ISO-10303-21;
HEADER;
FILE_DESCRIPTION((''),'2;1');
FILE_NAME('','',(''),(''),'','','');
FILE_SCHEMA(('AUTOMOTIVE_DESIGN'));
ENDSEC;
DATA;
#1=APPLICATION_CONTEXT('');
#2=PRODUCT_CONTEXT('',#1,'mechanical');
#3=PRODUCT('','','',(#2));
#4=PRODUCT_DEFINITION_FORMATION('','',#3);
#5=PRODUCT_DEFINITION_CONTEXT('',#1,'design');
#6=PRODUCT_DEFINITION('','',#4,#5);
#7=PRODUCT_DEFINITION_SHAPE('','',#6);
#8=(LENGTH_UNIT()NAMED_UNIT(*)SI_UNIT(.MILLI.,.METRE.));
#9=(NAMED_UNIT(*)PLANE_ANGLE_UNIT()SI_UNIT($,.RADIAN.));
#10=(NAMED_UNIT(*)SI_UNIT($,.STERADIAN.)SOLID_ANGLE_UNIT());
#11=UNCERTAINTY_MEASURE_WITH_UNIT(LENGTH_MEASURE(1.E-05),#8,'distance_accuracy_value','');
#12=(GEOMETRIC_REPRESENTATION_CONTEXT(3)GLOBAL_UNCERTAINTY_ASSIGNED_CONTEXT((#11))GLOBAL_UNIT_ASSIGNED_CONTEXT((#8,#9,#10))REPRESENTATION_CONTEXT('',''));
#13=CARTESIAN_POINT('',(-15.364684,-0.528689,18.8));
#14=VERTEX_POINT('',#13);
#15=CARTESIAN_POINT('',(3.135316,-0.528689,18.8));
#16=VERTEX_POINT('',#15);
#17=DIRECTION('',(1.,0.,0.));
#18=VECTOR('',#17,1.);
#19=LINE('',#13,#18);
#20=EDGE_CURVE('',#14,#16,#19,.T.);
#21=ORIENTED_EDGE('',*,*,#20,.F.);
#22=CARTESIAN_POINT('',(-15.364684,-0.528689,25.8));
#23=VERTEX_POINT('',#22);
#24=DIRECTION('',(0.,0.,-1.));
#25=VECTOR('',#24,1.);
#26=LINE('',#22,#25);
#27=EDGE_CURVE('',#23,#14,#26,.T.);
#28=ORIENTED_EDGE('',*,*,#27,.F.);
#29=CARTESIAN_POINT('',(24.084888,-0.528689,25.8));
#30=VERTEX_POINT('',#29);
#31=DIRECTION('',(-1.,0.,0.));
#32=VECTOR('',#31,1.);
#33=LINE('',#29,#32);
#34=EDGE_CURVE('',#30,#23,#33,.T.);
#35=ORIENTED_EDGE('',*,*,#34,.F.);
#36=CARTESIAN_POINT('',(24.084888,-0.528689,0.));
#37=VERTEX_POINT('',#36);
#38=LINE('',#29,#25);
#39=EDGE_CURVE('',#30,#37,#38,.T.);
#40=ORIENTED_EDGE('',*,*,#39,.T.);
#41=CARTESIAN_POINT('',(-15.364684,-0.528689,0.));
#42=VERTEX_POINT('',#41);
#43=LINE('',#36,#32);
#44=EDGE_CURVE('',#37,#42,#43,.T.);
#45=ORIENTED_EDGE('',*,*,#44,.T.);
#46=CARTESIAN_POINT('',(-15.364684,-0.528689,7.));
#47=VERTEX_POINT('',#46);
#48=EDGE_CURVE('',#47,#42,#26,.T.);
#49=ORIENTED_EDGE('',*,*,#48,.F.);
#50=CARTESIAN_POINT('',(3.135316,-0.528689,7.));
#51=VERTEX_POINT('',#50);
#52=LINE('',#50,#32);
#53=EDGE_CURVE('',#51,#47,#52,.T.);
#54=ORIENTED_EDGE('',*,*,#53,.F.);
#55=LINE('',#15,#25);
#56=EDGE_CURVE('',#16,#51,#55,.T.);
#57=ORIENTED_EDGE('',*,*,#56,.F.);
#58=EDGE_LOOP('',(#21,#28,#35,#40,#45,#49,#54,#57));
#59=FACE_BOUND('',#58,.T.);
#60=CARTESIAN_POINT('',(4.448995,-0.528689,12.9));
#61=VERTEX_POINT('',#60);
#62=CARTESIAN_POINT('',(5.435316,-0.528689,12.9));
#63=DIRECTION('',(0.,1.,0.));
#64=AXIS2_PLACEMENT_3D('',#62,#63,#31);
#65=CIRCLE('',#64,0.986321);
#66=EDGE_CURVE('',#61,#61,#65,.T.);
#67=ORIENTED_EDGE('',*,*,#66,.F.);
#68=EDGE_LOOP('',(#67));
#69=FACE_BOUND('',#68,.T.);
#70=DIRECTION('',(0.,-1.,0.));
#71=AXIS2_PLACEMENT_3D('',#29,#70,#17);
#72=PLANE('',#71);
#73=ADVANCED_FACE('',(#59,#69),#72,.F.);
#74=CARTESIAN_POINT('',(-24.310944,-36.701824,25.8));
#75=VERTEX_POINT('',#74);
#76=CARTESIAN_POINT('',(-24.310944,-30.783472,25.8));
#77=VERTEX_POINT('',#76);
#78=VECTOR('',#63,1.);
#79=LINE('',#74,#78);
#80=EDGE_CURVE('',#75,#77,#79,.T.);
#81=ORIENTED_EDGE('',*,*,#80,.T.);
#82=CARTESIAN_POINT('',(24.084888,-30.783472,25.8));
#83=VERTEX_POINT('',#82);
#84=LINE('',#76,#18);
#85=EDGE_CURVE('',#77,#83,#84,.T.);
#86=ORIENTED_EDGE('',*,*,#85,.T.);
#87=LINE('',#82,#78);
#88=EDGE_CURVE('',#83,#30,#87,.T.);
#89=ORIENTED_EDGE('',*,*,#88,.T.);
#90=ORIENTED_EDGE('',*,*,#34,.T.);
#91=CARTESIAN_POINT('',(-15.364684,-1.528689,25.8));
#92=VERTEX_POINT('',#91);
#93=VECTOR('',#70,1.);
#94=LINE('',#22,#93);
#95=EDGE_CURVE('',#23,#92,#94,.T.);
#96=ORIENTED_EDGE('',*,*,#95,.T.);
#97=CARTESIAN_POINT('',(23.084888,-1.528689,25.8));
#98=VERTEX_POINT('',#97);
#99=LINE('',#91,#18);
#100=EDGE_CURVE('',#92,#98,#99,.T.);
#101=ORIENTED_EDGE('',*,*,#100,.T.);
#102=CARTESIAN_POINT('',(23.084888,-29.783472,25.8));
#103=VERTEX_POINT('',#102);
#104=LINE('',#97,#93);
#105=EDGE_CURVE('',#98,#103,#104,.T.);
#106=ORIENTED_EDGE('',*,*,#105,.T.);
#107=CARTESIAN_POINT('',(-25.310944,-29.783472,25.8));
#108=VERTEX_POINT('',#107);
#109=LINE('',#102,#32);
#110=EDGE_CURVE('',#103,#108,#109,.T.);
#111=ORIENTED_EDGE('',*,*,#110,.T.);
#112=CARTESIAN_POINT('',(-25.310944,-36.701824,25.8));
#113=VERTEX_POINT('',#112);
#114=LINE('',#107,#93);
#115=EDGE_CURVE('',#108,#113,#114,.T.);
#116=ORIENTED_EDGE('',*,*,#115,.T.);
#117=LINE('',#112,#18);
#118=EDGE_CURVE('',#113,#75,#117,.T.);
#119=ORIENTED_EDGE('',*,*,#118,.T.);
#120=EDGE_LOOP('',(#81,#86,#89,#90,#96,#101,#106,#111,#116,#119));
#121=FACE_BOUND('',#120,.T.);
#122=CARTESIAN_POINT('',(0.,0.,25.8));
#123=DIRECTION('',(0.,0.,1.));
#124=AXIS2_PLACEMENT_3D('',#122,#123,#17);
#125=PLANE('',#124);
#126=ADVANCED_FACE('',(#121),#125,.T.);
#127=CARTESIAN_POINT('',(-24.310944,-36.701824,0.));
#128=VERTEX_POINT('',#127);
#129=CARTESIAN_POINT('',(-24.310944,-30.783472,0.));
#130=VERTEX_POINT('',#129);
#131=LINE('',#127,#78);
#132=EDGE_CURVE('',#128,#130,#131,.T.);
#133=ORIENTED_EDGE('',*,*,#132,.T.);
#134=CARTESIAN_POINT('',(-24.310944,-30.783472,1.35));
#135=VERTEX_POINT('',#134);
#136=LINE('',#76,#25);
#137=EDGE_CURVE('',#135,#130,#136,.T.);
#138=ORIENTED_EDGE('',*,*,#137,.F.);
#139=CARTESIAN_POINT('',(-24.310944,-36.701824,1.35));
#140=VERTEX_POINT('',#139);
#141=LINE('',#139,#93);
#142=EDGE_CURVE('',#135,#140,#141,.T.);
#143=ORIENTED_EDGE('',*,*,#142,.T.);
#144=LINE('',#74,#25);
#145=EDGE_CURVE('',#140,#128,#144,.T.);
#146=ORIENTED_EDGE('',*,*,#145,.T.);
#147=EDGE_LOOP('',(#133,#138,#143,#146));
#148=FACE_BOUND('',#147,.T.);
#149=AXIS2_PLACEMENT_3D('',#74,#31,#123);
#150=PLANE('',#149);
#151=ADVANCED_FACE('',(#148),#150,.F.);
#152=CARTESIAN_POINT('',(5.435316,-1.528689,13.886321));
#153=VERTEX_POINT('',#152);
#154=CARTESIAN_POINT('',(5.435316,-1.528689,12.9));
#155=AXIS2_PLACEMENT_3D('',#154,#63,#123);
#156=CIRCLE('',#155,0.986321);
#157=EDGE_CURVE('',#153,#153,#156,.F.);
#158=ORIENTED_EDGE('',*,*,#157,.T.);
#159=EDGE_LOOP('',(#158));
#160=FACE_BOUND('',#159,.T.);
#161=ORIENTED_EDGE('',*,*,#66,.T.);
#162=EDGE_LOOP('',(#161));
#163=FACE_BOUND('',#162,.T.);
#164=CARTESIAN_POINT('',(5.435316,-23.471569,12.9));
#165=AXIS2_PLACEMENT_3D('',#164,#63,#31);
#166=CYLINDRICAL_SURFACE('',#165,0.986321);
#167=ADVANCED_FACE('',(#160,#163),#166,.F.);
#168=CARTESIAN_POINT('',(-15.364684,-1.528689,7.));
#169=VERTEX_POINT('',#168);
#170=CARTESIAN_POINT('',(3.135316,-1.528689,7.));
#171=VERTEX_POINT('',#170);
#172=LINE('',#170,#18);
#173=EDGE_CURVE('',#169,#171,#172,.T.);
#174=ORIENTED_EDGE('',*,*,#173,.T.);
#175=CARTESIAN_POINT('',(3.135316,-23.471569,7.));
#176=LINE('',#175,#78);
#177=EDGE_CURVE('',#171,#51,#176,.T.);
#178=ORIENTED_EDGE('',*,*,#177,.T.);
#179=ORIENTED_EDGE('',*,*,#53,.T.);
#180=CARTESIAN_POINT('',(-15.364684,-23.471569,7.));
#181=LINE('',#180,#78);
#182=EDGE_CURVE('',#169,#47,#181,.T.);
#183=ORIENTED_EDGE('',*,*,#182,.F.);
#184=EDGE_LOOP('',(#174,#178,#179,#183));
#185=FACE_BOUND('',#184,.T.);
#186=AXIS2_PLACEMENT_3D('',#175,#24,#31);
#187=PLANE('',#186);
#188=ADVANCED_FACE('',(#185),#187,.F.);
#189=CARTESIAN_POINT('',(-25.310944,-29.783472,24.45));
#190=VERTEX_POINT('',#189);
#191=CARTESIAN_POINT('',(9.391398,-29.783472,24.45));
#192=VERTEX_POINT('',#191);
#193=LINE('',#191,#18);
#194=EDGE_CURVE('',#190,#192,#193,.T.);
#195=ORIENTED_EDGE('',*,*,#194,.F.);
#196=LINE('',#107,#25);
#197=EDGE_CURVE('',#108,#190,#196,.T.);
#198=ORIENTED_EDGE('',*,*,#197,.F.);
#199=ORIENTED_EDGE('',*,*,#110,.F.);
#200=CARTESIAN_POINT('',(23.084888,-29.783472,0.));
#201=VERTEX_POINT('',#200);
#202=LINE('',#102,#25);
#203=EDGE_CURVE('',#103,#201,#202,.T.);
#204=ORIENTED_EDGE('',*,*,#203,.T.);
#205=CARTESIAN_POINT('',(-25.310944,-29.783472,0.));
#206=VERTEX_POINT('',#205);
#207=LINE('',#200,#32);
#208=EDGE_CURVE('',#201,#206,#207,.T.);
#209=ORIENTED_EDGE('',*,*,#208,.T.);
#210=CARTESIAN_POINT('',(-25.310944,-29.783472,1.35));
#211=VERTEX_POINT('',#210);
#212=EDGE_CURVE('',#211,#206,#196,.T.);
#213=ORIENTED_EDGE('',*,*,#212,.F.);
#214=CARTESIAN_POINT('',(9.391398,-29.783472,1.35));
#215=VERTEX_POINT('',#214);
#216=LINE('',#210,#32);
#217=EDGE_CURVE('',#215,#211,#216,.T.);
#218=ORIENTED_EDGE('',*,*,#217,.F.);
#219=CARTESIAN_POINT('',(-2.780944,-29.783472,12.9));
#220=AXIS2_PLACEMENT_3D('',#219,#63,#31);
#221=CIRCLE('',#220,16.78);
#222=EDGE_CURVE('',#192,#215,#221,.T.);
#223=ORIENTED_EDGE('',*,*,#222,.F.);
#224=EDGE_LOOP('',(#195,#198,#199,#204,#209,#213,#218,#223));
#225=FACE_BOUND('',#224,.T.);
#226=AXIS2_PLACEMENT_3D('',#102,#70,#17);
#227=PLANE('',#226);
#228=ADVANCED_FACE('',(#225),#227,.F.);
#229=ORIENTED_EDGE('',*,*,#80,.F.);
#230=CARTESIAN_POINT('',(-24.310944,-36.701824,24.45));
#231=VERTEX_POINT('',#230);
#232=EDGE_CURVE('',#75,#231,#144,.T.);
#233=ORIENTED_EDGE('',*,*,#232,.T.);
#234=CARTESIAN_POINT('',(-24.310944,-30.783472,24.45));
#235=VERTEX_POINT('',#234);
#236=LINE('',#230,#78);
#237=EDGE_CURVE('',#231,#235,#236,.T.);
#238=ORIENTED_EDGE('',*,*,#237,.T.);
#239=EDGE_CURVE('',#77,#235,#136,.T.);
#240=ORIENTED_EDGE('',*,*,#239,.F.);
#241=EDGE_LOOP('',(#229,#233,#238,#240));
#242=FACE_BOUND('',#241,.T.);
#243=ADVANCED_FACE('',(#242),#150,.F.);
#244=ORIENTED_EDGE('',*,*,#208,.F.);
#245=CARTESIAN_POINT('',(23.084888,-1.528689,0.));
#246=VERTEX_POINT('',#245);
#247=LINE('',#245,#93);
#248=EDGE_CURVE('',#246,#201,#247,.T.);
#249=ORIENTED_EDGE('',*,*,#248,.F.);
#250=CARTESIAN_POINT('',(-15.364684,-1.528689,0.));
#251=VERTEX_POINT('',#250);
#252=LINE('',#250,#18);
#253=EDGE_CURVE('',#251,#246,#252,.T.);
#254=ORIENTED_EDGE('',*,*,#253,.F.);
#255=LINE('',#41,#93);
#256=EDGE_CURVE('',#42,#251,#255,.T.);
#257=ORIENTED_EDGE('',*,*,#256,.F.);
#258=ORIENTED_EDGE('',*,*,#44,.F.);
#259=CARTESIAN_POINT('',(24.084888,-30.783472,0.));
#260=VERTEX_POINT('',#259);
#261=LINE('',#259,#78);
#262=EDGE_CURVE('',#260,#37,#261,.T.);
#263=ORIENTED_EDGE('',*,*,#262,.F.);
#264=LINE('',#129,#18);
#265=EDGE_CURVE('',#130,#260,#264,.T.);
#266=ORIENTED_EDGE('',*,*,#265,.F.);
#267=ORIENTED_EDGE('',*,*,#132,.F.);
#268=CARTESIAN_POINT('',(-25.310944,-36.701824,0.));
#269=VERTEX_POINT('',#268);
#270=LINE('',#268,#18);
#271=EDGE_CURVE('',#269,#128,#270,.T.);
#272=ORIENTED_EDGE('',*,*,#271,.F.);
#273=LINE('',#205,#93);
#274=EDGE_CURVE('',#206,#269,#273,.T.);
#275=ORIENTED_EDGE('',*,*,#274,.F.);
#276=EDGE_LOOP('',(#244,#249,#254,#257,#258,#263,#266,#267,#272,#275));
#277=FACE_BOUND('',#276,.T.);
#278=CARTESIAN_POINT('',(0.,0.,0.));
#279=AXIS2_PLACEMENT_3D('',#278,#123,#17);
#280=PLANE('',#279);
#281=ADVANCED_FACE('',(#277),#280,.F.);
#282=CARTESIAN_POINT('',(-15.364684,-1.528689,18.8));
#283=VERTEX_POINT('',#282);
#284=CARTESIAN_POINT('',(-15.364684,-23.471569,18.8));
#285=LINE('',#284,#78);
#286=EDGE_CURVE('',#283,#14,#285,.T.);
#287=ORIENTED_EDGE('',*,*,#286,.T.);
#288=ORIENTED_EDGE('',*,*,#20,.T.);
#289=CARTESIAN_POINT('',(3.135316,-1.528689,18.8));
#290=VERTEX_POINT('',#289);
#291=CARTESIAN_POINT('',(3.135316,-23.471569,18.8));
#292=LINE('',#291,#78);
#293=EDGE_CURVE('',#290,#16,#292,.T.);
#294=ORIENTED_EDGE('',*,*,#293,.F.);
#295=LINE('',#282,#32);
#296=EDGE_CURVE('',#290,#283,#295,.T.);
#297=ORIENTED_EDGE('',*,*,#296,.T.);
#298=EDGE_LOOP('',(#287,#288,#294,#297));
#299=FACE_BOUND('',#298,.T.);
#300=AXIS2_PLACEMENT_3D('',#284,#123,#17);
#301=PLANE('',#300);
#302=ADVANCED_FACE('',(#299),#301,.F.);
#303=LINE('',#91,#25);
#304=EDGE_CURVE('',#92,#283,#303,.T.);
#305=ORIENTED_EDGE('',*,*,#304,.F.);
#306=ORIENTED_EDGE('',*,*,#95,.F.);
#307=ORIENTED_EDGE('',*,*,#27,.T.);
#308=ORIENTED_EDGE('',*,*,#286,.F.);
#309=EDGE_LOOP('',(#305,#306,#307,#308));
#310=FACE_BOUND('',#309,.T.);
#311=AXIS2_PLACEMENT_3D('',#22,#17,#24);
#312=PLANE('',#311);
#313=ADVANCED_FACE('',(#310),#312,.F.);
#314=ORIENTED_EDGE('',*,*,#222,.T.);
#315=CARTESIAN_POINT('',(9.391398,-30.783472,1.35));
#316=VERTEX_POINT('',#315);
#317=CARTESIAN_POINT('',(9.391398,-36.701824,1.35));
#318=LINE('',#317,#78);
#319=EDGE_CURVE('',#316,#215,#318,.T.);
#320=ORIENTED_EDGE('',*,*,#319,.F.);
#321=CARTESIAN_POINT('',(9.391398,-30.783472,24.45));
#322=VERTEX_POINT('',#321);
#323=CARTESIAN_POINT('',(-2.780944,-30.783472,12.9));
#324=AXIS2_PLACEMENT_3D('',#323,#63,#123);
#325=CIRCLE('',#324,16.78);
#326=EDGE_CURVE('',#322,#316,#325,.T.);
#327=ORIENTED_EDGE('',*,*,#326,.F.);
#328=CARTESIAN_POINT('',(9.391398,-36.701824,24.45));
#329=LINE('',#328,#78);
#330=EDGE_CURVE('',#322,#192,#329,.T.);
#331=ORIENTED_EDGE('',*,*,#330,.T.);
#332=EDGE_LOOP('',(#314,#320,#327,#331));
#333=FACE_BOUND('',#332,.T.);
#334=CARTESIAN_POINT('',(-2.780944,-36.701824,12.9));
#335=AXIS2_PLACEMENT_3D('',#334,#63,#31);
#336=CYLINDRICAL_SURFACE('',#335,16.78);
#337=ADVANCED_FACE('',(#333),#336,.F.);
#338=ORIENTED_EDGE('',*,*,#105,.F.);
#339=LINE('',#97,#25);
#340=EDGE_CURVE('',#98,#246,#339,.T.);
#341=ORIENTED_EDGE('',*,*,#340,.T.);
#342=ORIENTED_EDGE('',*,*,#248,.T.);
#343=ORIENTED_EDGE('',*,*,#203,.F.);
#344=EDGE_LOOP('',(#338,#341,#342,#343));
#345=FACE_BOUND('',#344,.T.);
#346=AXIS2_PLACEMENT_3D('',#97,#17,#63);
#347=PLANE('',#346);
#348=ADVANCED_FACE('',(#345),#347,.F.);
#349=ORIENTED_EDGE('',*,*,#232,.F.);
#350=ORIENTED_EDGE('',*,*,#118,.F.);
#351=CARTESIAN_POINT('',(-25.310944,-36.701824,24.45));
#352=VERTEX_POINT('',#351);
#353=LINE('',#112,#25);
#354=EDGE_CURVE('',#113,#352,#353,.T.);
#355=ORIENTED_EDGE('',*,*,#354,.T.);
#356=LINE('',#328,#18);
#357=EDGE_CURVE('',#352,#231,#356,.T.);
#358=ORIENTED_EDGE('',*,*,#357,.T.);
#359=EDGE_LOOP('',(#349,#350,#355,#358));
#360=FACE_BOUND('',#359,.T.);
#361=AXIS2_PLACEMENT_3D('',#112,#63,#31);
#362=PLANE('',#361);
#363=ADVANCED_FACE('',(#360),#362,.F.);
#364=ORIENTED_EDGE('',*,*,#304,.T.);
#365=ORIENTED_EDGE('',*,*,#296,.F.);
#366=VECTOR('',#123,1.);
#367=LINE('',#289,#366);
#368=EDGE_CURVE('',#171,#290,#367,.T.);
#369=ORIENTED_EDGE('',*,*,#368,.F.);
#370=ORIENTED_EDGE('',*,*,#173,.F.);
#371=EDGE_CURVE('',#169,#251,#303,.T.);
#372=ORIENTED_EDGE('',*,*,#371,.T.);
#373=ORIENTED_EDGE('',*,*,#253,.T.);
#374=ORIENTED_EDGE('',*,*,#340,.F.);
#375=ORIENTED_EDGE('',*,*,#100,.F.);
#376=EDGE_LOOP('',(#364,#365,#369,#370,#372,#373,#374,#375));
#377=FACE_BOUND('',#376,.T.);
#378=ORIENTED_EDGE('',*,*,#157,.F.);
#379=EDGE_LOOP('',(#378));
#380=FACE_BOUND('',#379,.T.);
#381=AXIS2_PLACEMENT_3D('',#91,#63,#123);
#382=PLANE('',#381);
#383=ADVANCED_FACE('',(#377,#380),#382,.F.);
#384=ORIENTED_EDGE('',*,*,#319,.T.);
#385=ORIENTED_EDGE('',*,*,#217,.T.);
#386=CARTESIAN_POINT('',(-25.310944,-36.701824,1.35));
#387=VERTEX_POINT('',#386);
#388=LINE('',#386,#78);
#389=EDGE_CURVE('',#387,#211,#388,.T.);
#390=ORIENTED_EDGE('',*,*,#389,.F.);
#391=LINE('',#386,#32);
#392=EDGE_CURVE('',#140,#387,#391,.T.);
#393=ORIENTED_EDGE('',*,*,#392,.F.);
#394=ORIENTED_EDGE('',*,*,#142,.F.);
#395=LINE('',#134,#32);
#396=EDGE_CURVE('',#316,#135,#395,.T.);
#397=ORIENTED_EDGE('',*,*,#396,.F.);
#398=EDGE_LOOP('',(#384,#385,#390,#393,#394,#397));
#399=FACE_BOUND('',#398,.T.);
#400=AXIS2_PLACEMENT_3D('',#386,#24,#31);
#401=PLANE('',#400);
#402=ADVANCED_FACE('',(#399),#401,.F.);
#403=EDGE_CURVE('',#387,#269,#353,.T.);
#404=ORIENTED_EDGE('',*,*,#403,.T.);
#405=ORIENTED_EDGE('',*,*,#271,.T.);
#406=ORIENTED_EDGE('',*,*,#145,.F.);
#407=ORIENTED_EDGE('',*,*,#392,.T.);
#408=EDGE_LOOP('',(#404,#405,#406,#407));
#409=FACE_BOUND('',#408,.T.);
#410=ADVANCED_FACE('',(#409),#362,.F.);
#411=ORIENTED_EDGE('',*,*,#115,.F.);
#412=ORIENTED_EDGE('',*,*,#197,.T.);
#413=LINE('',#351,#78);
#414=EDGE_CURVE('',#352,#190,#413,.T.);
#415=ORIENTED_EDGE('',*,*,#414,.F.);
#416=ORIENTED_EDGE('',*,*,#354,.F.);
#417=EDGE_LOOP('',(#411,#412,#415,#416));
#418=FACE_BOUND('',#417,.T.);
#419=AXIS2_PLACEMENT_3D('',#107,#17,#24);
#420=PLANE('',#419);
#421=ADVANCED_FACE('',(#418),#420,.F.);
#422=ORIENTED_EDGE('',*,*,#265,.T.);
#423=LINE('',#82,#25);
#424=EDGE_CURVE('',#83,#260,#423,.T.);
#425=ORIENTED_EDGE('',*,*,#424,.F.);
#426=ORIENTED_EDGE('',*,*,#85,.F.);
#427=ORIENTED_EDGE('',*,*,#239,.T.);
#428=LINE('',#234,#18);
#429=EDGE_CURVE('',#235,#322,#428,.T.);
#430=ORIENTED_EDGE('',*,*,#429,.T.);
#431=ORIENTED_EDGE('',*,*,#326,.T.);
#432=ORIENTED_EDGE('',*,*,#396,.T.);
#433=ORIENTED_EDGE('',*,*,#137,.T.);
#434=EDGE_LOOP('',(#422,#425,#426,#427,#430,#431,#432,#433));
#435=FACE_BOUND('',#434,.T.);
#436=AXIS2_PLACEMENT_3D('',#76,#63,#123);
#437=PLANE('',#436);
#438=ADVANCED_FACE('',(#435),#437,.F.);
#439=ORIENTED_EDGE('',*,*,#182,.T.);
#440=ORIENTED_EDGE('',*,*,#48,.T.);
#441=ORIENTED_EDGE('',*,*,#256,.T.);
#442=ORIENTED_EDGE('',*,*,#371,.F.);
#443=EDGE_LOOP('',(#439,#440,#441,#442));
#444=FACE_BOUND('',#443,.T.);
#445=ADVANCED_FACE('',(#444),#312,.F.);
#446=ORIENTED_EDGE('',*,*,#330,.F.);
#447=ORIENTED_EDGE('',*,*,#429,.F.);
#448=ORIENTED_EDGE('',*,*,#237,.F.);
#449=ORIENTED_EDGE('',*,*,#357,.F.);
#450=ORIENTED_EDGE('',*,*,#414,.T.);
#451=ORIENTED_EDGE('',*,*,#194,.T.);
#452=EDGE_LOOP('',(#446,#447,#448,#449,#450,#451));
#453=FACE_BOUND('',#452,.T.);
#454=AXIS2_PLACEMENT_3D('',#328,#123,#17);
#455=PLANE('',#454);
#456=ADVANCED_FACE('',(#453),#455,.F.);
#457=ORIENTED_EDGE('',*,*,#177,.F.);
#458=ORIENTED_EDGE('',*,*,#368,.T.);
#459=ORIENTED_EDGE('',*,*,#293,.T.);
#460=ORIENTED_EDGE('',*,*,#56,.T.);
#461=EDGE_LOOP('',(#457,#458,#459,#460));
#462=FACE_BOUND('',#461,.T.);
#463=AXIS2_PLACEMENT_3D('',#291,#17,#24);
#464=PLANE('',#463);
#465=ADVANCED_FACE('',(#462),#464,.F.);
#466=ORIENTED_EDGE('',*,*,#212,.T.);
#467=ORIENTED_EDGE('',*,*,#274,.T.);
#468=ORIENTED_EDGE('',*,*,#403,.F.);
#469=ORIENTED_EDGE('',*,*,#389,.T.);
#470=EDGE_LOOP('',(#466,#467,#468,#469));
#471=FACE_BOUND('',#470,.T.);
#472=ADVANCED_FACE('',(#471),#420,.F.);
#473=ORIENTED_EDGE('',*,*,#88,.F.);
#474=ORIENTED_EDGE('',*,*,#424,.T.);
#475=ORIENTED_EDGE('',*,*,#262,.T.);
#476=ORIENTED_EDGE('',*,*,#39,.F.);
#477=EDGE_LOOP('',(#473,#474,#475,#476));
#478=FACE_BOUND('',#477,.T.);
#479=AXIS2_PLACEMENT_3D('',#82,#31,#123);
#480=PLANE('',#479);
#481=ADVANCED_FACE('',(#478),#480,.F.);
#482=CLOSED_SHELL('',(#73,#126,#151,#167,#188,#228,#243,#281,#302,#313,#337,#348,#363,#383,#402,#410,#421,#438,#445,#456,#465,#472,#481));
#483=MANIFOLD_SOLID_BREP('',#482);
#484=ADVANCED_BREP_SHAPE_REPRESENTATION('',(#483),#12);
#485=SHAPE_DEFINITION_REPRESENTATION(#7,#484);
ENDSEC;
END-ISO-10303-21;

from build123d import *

# Parameters (mm, degrees)
SALIENTE_EXTRUIR1_DEPTH = 25.8
CORTAR_EXTRUIR1_REACH   = 53.135
CROQUIS2_R              = 0.986321187
CROQUIS2_W              = 18.5
CROQUIS2_H              = 11.8
CORTAR_EXTRUIR2_DEPTH   = 47.498669213


with BuildPart() as part:
    # Croquis1 → Saliente-Extruir1 (new body)
    with BuildSketch(Plane.XY):
        Polygon((-15.36468389, -0.528688711), (-15.36468389, -1.528688711), (23.08488752, -1.528688711), (23.08488752, -29.783472062), (-25.31094407, -29.783472062), (-25.31094407, -36.701823748), (-24.31094407, -36.701823748), (-24.31094407, -30.783472062), (24.08488752, -30.783472062), (24.08488752, -0.528688711), align=None)
    extrude(amount=SALIENTE_EXTRUIR1_DEPTH)

    # Croquis2 → Cortar-Extruir1 (cut, up to next)
    with BuildSketch(Plane(origin=(0, -0.528688711, 0), x_dir=(1, 0, 0), z_dir=(0, 1, 0)), mode=Mode.PRIVATE) as cortar_extruir1_sk1:
        with Locations(Location((5.43531611, -12.9, 0), (0, 0, 180))):
            Circle(CROQUIS2_R)
    cortar_extruir1_tool1 = extrude(cortar_extruir1_sk1.sketch, amount=-CORTAR_EXTRUIR1_REACH, mode=Mode.PRIVATE) & part.part
    # Croquis2 → Cortar-Extruir1 (cut, up to next)
    with BuildSketch(Plane(origin=(0, -0.528688711, 0), x_dir=(1, 0, 0), z_dir=(0, 1, 0)), mode=Mode.PRIVATE) as cortar_extruir1_sk2:
        with Locations((-6.11468389, -12.9)):
            Rectangle(CROQUIS2_W, CROQUIS2_H)
    cortar_extruir1_tool2 = extrude(cortar_extruir1_sk2.sketch, amount=-CORTAR_EXTRUIR1_REACH, mode=Mode.PRIVATE) & part.part
    add(cortar_extruir1_tool1.solids().sort_by_distance((5.435316, -0.528689, 12.9))[0], mode=Mode.SUBTRACT)
    add(cortar_extruir1_tool2.solids().sort_by_distance((-6.114684, -0.528689, 12.9))[0], mode=Mode.SUBTRACT)

    # Croquis3 → Cortar-Extruir2 (cut, through all)
    with BuildSketch(Plane(origin=(0, -29.783472062, 0), x_dir=(1, 0, 0), z_dir=(0, 1, 0))):
        with BuildLine():
            Line((-25.31094407, -1.35), (9.391397529, -1.35))
            ThreePointArc((9.391397529, -1.35), (13.99905593, -12.9), (9.391397529, -24.45))
            Line((9.391397529, -24.45), (-25.31094407, -24.45))
            Line((-25.31094407, -24.45), (-25.31094407, -1.35))
        make_face()
    extrude(amount=-CORTAR_EXTRUIR2_DEPTH, mode=Mode.SUBTRACT)


solid = part.part
